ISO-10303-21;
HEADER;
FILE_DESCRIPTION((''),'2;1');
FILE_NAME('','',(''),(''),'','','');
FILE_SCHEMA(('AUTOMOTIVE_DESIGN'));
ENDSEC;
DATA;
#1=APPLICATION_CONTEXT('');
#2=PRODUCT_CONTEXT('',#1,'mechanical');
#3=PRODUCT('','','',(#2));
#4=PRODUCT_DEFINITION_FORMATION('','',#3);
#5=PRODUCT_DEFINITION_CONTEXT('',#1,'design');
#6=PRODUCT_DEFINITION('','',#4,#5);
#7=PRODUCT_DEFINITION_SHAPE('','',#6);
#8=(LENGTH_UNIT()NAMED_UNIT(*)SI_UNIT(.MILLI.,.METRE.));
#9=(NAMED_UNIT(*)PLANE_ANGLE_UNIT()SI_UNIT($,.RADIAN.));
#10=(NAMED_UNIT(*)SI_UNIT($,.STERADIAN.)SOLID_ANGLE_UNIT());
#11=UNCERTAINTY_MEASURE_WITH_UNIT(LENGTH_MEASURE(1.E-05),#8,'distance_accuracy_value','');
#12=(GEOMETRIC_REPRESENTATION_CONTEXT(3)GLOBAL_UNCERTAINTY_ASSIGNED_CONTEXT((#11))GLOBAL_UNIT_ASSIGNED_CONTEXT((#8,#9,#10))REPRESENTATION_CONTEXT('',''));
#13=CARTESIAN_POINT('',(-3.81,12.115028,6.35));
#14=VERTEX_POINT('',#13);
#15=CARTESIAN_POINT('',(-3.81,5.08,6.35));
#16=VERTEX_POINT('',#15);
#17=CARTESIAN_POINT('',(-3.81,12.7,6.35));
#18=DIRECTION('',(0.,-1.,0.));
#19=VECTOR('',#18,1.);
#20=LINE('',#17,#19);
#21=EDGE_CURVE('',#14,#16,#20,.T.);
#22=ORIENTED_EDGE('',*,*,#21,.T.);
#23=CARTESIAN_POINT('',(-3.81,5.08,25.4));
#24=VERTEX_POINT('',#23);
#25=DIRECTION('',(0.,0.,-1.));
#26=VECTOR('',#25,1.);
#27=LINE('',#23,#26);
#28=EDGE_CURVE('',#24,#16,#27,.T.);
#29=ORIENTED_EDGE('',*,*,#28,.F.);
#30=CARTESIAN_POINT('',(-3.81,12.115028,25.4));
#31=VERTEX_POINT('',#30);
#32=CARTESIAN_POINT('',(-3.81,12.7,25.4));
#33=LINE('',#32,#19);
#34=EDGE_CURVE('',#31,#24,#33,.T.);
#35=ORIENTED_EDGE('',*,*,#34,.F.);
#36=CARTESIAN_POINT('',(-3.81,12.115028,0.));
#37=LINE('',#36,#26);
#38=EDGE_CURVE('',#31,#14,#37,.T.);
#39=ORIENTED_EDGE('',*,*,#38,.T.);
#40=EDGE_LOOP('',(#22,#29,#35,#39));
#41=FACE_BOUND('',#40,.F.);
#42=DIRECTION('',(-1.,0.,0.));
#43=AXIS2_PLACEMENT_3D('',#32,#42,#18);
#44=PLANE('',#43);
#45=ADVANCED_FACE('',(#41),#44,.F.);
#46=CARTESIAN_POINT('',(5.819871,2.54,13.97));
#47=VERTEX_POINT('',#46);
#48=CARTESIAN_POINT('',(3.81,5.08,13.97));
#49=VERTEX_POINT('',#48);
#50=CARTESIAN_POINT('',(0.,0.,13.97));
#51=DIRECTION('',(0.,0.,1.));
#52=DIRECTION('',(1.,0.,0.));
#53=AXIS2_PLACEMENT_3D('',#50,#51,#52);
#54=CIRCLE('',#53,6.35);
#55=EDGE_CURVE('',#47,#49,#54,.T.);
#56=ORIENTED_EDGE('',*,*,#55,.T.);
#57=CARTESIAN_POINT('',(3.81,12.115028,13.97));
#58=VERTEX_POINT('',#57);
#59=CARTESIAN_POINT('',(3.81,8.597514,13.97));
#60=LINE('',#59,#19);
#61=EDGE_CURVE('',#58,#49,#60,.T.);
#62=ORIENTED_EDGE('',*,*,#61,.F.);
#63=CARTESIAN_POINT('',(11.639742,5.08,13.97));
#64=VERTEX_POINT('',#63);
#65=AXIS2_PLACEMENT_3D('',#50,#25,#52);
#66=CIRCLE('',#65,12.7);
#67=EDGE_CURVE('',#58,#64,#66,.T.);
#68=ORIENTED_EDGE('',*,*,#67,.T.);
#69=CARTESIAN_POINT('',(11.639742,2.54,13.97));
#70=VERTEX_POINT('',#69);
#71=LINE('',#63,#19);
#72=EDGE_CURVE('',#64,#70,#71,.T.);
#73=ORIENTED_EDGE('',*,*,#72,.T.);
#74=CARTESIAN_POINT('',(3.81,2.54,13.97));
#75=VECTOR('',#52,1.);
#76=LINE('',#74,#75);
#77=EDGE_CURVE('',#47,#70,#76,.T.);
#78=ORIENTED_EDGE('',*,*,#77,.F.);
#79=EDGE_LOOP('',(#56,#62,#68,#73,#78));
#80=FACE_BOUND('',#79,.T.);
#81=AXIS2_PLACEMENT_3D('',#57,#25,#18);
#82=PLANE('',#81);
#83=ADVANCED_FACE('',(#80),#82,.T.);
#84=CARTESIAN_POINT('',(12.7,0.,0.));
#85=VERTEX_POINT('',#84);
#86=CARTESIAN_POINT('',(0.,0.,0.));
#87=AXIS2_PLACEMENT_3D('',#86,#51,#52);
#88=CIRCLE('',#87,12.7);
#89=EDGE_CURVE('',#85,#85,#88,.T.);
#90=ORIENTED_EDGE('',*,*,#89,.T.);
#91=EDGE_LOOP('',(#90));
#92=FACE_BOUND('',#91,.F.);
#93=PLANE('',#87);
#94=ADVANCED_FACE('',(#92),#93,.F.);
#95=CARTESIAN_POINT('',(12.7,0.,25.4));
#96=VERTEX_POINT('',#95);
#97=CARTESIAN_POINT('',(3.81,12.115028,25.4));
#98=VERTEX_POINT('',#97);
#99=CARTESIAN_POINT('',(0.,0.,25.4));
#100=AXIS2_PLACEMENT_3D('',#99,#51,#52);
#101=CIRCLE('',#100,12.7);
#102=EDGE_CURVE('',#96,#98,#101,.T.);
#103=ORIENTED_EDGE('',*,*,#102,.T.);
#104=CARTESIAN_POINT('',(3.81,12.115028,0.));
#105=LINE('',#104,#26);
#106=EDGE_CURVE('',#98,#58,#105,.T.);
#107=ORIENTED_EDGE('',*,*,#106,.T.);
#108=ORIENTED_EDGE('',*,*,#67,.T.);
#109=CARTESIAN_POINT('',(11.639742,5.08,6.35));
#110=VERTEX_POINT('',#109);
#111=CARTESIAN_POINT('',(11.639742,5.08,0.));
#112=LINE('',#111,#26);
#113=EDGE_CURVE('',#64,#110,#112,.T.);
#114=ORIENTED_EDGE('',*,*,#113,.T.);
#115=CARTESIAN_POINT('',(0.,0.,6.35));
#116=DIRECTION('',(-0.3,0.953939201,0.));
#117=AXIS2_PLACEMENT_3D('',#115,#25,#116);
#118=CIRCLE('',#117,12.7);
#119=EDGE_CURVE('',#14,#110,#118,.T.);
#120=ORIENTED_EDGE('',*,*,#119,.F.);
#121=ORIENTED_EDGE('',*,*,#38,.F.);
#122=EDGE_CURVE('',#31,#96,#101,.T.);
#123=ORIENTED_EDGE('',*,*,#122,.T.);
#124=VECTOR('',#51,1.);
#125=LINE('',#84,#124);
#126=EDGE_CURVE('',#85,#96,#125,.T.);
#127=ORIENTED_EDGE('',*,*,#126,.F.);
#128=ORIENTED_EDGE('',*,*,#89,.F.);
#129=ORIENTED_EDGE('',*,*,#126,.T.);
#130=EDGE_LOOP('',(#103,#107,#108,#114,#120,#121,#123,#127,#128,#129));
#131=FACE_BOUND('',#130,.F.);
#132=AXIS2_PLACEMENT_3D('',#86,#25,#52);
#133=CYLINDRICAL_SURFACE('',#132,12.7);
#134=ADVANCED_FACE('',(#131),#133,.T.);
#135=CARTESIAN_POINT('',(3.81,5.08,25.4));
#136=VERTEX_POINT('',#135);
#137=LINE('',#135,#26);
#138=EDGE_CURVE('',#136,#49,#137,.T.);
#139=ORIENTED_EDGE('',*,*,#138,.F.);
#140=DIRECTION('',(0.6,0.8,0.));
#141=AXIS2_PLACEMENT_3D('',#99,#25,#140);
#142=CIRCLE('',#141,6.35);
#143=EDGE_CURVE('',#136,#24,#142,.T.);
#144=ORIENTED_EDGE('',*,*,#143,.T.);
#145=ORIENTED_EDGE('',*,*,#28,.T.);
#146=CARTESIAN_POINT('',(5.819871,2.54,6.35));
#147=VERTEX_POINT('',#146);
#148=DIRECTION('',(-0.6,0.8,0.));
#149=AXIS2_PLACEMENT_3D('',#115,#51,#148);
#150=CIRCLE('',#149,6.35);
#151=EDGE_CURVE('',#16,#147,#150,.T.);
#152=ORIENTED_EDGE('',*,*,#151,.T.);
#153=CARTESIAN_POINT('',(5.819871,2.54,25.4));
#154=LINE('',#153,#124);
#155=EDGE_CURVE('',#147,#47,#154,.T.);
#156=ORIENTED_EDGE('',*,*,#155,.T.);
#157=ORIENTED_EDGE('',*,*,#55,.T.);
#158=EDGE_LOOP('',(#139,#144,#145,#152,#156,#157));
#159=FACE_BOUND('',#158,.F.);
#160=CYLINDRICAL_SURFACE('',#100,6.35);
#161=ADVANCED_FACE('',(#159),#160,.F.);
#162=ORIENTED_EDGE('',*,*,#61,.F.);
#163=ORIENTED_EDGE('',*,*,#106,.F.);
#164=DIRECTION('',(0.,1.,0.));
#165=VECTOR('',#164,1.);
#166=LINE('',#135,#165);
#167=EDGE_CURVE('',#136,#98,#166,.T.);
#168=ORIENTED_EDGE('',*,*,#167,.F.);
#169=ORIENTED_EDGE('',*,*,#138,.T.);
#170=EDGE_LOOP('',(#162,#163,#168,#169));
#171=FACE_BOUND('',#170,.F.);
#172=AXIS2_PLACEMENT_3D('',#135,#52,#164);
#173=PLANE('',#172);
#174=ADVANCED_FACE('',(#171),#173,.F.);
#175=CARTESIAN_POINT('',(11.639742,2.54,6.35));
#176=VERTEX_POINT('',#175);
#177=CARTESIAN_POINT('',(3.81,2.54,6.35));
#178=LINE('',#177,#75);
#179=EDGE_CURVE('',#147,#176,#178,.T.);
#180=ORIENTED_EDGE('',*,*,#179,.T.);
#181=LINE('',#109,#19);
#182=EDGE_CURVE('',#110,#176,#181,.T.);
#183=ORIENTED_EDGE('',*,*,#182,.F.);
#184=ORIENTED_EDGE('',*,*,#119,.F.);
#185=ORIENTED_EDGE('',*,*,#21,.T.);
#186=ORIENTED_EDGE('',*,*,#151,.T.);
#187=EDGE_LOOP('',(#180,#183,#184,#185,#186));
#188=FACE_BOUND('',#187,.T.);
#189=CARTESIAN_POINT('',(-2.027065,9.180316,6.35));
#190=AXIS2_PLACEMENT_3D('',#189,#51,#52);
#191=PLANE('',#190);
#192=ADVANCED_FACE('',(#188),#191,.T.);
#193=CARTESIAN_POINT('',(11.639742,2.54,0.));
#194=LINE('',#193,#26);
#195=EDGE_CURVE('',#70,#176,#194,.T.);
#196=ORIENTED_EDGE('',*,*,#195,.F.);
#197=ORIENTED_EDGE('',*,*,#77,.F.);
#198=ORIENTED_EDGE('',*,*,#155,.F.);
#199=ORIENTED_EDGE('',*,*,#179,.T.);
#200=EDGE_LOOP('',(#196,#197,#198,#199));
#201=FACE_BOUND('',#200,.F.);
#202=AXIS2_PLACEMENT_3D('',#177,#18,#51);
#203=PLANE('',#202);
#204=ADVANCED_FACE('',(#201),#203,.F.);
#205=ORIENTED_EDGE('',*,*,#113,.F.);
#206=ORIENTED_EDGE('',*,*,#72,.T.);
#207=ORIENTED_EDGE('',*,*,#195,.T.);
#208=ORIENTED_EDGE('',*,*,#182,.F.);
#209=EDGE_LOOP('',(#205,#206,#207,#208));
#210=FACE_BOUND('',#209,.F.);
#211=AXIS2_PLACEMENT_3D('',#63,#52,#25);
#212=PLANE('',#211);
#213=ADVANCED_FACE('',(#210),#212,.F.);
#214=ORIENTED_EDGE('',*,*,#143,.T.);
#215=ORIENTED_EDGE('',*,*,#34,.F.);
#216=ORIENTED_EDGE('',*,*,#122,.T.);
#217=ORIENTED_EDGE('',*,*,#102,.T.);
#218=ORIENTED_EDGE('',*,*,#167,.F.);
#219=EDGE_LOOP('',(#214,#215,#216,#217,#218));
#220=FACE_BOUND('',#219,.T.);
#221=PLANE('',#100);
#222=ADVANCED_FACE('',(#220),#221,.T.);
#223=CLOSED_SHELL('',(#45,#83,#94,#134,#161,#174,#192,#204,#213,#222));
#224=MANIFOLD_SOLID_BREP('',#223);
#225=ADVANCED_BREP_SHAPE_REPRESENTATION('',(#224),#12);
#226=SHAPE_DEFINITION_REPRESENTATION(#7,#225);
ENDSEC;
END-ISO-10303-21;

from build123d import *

# Parameters (mm, degrees)
F0_R     = 12.7
F1_DEPTH = 25.4
F2_R     = 6.35
F5_DEPTH = 19.05
F6_W     = 7.035027858
F6_H     = 7.62
F7_DEPTH = 25.4
F8_DEPTH = 2.54


with BuildPart() as f1:
    # F0 (on Top) → F1 (new body)
    with BuildSketch(Plane.XY):
        Circle(F0_R)
    extrude(amount=F1_DEPTH)

    # F2 (on face) + F4 (on face) + F3 (on face) → F5 (cut)
    with BuildSketch(Plane.XY.offset(25.4)):
        Circle(F2_R)
    with BuildSketch(Plane.XY.offset(25.4)):
        with BuildLine():
            Line((0, 12.7), (0, 6.35))
            ThreePointArc((0, 6.35), (2.0080463142, 6.0241389426), (3.81, 5.08))
            Line((3.81, 5.08), (3.81, 12.7))
            Line((3.81, 12.7), (0, 12.7))
        make_face()
    with BuildSketch(Plane.XY.offset(25.4)):
        with BuildLine():
            ThreePointArc((-3.81, 5.08), (-2.0080463142, 6.0241389426), (0, 6.35))
            Line((0, 6.35), (0, 12.7))
            Line((0, 12.7), (-3.81, 12.7))
            Line((-3.81, 12.7), (-3.81, 5.08))
        make_face()
    extrude(amount=-F5_DEPTH, mode=Mode.SUBTRACT)

    # F6 (on face) → F7 (cut)
    with BuildSketch(Plane(origin=(3.81, 0, 0), x_dir=(0, -1, 0), z_dir=(-1, 0, 0))):
        with Locations((-8.597513929, 10.16)):
            Rectangle(F6_W, F6_H)
    extrude(amount=-F7_DEPTH, mode=Mode.SUBTRACT)

    # F8 (cut): a face of the model
    f8_faces = [f1.faces().sort_by_distance(p)[0] for p in [
        (7.7248711326, 5.08, 10.16),
    ]]
    extrude(f8_faces, amount=-F8_DEPTH, mode=Mode.SUBTRACT)


solid = f1.part
